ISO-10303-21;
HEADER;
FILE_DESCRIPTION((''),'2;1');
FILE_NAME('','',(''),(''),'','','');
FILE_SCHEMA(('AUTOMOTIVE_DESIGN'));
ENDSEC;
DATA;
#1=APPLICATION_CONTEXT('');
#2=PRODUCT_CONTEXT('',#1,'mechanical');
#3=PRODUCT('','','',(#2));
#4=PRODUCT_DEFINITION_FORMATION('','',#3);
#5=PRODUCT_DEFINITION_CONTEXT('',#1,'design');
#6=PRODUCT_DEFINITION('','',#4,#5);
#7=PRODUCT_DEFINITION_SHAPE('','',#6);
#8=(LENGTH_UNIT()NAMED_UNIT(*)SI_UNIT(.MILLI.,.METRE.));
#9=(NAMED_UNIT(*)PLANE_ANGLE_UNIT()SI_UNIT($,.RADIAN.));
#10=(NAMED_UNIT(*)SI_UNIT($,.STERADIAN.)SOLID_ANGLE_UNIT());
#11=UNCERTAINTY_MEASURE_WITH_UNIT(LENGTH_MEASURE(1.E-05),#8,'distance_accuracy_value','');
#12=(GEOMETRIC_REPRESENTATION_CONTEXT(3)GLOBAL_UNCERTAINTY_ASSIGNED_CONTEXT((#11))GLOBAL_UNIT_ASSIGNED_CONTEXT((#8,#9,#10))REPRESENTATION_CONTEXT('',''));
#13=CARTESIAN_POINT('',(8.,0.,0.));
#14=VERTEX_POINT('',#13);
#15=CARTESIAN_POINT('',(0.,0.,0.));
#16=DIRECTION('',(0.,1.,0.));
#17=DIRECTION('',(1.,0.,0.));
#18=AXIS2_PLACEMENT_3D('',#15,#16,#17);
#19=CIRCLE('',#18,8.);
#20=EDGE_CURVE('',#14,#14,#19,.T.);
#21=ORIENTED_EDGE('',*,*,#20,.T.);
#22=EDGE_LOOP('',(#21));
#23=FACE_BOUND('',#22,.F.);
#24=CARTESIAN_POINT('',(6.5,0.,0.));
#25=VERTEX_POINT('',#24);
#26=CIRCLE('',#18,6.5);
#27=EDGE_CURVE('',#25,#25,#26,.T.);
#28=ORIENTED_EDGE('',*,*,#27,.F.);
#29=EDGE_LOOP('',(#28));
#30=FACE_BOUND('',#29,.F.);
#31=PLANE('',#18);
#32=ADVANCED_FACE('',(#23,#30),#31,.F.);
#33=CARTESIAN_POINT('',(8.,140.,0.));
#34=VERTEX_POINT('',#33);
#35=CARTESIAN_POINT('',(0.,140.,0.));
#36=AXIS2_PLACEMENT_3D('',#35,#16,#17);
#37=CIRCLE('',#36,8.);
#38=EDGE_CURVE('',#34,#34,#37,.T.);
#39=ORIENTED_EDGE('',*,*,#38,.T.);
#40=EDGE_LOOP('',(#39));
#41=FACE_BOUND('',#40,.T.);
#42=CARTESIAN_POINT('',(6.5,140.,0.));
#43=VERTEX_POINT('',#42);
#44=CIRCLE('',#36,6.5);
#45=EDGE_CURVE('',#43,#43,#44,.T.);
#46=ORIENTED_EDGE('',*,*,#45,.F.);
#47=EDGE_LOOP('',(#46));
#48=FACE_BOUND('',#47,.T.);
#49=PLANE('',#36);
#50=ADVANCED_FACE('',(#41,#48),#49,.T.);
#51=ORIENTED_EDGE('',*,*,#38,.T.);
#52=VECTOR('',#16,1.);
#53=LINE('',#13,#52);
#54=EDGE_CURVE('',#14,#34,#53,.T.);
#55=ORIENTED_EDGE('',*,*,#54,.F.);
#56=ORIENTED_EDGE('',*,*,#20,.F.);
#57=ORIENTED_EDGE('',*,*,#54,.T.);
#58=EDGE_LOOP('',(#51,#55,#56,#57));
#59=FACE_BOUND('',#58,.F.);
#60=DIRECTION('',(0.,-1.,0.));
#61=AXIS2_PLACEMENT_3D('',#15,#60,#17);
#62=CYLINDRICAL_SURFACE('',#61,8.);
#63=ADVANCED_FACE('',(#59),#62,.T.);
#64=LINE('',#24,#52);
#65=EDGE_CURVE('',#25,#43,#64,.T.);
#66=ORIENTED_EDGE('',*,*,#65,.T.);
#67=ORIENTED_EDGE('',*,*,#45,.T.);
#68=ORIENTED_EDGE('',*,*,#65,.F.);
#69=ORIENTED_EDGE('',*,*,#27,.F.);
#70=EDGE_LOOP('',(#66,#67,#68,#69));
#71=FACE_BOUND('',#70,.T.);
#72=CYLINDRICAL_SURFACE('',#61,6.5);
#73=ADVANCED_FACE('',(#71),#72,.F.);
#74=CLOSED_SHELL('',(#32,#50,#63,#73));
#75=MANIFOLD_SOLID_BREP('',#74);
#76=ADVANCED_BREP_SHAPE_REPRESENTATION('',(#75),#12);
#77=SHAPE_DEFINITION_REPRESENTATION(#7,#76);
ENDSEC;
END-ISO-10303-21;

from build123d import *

# Parameters (mm, degrees)
CROQUIS1_R              = 8
CROQUIS1_R_2            = 6.5
SALIENTE_EXTRUIR1_DEPTH = 140


with BuildPart() as part:
    # Croquis1 → Saliente-Extruir1 (new body)
    with BuildSketch(Plane(origin=(0, 0, 0), x_dir=(1, 0, 0), z_dir=(0, 1, 0))):
        Circle(CROQUIS1_R)
        Circle(CROQUIS1_R_2, mode=Mode.SUBTRACT)
    extrude(amount=SALIENTE_EXTRUIR1_DEPTH)


solid = part.part
